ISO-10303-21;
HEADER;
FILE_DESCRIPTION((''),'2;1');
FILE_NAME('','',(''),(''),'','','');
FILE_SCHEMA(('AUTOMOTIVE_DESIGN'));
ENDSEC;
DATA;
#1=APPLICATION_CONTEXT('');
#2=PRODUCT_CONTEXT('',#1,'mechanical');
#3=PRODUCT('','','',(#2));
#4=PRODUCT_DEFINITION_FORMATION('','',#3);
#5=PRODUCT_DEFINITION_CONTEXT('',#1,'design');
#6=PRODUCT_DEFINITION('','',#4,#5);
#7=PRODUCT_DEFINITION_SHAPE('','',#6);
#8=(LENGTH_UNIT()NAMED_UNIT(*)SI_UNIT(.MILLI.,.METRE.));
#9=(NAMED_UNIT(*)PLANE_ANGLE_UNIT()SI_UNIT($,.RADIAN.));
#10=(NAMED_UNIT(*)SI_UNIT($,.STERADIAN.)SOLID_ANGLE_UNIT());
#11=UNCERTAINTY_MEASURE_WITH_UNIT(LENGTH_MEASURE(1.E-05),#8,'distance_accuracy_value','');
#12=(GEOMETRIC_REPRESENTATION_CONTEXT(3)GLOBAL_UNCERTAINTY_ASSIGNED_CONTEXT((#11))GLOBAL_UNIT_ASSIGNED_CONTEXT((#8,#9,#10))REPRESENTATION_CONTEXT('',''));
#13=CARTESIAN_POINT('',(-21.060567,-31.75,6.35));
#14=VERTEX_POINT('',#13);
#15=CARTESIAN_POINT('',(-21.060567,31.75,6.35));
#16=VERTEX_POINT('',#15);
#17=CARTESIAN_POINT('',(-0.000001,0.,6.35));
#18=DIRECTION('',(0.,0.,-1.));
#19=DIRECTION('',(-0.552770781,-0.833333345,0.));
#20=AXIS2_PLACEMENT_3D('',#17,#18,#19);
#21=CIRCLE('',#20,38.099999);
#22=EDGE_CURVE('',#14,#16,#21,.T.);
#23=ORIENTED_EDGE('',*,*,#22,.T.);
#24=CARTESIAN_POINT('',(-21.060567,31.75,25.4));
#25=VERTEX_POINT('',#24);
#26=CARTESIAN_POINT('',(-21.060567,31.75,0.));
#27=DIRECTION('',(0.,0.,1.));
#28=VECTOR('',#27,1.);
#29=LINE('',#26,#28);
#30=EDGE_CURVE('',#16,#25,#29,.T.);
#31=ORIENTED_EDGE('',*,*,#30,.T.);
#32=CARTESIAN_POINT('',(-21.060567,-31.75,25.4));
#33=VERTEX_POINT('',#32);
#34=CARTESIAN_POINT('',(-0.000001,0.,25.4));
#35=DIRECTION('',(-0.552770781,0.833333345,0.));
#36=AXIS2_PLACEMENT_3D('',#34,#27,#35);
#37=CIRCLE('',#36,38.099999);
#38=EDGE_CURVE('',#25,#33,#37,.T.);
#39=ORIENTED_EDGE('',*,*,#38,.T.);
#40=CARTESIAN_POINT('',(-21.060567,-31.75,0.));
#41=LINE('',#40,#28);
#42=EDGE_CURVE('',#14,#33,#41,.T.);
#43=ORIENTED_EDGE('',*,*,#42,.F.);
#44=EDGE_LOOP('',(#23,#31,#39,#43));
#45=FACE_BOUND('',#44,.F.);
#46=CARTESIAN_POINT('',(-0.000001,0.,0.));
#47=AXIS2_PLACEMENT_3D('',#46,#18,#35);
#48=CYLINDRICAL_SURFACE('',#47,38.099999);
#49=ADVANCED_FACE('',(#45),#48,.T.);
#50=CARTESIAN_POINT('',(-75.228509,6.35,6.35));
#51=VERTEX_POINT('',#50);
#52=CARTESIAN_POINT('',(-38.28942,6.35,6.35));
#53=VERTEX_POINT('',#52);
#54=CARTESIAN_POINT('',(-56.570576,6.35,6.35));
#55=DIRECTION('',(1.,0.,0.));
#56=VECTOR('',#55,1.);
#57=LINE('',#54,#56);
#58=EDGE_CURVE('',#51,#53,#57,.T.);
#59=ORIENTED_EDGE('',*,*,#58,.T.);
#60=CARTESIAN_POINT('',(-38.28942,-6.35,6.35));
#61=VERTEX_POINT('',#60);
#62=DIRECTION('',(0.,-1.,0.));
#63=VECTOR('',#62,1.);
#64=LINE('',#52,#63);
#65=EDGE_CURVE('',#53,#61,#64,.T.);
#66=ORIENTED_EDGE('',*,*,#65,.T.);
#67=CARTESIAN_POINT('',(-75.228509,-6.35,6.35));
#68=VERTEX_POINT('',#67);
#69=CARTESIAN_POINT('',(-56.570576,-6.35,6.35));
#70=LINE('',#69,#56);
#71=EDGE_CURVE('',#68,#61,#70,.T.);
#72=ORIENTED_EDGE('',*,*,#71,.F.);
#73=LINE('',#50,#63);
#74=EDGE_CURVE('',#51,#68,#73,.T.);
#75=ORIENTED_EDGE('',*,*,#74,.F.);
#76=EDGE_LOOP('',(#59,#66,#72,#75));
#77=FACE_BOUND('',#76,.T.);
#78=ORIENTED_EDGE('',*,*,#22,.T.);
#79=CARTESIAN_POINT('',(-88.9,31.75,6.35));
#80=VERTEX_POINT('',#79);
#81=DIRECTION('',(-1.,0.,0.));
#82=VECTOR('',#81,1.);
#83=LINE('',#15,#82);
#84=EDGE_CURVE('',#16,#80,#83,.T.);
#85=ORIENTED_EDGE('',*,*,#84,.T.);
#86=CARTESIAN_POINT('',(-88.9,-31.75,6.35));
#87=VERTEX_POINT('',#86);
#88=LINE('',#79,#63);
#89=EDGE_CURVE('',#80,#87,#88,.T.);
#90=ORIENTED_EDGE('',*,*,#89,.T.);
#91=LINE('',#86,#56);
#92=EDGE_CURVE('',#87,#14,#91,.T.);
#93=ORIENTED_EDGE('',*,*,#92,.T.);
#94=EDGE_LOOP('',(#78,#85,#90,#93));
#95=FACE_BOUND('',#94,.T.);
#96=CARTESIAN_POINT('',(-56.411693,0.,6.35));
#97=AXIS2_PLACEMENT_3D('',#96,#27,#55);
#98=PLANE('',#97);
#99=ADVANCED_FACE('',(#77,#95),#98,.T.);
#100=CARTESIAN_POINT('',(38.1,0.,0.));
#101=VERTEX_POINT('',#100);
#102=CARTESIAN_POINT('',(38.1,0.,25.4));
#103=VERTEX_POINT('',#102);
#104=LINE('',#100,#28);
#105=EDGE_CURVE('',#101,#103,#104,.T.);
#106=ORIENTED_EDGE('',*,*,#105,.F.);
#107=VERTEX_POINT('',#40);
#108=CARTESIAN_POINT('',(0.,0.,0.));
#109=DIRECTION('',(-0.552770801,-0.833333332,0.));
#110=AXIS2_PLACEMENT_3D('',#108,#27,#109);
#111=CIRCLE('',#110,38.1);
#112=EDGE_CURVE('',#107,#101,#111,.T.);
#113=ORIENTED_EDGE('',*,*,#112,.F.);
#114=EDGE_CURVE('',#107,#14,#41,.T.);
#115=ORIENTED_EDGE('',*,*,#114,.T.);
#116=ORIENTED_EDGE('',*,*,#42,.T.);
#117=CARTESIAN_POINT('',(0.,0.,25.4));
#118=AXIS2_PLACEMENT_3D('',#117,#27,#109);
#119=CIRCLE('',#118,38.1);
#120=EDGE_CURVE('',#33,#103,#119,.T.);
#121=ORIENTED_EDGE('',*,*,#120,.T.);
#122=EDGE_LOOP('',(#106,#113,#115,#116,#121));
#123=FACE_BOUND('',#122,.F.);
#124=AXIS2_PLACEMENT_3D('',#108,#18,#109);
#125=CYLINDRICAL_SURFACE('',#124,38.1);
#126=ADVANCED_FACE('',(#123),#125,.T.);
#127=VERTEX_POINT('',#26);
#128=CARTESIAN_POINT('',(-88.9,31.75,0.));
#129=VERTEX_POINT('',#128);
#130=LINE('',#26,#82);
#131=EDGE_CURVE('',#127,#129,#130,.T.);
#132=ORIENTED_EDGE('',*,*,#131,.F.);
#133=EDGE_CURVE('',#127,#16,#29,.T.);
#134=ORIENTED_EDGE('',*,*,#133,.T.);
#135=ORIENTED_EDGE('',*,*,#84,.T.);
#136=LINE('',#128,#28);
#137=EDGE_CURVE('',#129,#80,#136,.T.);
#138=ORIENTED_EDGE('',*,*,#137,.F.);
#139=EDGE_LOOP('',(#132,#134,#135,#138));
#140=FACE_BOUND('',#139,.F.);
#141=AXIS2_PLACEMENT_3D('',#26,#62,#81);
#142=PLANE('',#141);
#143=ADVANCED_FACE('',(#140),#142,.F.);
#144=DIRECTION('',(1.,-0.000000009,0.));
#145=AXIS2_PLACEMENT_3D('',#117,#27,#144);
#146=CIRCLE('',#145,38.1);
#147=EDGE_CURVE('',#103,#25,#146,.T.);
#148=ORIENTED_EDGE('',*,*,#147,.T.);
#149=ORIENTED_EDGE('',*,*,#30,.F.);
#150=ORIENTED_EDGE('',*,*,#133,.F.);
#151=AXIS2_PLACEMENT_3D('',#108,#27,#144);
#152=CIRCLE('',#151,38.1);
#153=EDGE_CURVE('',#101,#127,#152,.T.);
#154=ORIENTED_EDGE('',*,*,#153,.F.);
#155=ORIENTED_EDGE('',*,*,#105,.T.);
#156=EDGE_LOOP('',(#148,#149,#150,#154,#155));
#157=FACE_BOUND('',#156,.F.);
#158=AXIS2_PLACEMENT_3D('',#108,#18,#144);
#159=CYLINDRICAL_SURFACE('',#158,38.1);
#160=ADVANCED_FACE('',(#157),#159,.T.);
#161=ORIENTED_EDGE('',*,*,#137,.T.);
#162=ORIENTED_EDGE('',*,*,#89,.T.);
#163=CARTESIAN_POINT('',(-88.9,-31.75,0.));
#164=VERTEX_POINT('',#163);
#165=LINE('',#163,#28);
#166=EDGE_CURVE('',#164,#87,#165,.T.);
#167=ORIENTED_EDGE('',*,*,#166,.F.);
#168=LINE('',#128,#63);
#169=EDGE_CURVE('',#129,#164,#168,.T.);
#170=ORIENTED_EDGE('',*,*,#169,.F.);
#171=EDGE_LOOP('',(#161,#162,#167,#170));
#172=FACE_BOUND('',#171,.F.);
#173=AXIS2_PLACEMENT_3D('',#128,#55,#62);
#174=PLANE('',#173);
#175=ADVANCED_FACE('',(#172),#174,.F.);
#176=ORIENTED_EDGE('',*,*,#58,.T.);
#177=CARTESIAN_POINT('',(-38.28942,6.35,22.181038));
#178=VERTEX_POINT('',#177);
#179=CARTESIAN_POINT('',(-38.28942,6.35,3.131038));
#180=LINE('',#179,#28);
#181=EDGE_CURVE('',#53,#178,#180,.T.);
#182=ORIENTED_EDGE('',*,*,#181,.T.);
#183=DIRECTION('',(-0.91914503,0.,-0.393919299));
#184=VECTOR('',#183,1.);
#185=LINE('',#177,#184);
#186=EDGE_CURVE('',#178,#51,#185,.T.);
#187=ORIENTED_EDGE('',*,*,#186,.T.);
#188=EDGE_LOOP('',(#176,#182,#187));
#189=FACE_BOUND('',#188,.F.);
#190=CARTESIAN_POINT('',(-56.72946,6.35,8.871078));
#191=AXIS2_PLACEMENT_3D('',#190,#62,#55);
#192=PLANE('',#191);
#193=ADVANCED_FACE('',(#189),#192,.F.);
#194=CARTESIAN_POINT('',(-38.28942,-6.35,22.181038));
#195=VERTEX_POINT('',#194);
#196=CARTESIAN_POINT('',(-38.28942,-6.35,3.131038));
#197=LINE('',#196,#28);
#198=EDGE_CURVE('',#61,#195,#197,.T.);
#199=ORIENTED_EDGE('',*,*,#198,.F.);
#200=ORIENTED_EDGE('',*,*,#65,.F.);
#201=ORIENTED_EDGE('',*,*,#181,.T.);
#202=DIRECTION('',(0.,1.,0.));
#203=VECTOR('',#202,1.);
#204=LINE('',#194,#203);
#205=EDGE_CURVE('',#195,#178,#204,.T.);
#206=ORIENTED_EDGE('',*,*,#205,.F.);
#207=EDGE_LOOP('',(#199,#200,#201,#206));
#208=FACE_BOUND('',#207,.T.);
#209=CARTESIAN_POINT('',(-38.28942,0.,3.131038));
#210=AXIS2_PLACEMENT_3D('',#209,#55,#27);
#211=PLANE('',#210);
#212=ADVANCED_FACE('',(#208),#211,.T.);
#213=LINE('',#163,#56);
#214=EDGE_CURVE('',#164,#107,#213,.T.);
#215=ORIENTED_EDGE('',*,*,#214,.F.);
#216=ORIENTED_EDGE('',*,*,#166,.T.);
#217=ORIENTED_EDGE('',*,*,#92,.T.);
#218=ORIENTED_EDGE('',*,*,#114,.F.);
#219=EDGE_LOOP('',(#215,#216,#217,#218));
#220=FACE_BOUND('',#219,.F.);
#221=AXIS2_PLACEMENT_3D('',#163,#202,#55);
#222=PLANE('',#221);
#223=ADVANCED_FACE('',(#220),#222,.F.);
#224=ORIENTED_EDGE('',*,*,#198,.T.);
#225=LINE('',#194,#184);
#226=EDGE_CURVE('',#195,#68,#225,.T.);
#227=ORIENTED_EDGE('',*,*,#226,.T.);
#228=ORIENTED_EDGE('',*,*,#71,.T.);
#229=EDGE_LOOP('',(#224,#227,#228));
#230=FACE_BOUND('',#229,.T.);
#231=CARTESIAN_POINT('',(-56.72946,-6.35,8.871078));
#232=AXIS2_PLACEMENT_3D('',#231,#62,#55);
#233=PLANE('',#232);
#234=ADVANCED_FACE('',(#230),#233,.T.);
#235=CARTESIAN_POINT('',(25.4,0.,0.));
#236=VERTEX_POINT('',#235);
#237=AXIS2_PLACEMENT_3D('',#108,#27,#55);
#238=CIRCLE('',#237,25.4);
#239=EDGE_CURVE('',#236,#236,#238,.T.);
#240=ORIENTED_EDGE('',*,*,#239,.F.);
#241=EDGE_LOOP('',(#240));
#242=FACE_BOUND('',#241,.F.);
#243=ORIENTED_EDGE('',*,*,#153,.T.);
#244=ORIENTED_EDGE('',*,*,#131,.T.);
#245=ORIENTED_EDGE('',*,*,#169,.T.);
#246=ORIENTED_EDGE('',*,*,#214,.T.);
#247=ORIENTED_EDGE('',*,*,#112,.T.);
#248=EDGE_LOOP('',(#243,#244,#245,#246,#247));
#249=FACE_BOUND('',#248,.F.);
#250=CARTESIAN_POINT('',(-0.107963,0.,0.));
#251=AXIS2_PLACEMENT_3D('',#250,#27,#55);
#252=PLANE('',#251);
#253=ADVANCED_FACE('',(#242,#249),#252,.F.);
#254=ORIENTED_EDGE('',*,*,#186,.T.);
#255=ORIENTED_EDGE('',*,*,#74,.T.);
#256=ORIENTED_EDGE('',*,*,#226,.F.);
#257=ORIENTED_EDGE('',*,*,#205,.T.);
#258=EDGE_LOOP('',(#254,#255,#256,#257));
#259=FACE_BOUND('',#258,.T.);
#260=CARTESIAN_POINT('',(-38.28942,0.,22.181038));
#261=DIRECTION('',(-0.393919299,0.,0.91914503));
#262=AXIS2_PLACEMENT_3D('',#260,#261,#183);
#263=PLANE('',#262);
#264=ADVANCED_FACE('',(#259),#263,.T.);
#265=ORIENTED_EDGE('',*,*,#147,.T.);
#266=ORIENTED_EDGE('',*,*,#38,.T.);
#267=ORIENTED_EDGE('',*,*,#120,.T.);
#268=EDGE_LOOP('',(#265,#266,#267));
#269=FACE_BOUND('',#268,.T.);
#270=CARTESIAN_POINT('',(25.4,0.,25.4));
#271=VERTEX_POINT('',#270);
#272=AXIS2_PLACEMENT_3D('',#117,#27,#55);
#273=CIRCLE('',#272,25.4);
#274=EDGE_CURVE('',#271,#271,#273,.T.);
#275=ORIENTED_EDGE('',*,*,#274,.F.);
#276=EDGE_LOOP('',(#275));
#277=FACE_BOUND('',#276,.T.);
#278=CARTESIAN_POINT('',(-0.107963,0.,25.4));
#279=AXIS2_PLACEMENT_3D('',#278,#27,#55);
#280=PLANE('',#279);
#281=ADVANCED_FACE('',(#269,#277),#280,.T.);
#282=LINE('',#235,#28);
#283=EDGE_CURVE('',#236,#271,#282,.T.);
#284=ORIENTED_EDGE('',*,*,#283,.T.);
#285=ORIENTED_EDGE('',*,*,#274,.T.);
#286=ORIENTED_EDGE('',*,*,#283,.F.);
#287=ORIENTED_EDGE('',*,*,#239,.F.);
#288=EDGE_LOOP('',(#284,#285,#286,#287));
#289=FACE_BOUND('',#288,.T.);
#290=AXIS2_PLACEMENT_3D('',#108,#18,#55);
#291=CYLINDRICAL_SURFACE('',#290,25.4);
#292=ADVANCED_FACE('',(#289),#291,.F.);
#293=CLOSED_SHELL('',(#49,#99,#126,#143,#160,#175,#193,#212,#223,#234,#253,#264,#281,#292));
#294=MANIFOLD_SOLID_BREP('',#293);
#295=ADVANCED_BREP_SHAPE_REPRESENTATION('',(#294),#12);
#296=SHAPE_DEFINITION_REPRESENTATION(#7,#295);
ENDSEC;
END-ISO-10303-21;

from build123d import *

# Parameters (mm, degrees)
F1_DEPTH      = 6.35
F0_R          = 25.4
F2_DEPTH      = 25.4
F4_DEPTH      = 6.35
F4_DEPTH_BACK = 6.35


with BuildPart() as f1:
    # F0 (on Top) → F1 (new body)
    with BuildSketch(Plane.XY):
        with BuildLine():
            ThreePointArc((-21.060567, -31.75), (-38.1, 0), (-21.060567, 31.75))
            Line((-21.060567, 31.75), (-88.9, 31.75))
            Line((-88.9, 31.75), (-88.9, -31.75))
            Line((-88.9, -31.75), (-21.060567, -31.75))
        make_face()
    extrude(amount=F1_DEPTH)

    # F0 (on Top) → F2 (join)
    with BuildSketch(Plane.XY):
        with BuildLine():
            ThreePointArc((-21.060567, -31.75), (18.016692, -33.570952), (38.1, 0))
            ThreePointArc((38.1, 0), (18.016692, 33.570952), (-21.060567, 31.75))
            ThreePointArc((-21.060567, 31.75), (-38.1, 0), (-21.060567, -31.75))
        make_face()
        Circle(F0_R, mode=Mode.SUBTRACT)
    extrude(amount=F2_DEPTH)

    # F3 (on Front) → F4 (join, two sides)
    with BuildSketch(Plane.XZ) as f4_sk:
        Polygon((-82.73942, 3.131038), (-38.28942, 3.131038), (-38.28942, 22.181038), align=None)
    extrude(amount=F4_DEPTH)
    extrude(f4_sk.sketch, amount=-F4_DEPTH_BACK)


solid = f1.part
